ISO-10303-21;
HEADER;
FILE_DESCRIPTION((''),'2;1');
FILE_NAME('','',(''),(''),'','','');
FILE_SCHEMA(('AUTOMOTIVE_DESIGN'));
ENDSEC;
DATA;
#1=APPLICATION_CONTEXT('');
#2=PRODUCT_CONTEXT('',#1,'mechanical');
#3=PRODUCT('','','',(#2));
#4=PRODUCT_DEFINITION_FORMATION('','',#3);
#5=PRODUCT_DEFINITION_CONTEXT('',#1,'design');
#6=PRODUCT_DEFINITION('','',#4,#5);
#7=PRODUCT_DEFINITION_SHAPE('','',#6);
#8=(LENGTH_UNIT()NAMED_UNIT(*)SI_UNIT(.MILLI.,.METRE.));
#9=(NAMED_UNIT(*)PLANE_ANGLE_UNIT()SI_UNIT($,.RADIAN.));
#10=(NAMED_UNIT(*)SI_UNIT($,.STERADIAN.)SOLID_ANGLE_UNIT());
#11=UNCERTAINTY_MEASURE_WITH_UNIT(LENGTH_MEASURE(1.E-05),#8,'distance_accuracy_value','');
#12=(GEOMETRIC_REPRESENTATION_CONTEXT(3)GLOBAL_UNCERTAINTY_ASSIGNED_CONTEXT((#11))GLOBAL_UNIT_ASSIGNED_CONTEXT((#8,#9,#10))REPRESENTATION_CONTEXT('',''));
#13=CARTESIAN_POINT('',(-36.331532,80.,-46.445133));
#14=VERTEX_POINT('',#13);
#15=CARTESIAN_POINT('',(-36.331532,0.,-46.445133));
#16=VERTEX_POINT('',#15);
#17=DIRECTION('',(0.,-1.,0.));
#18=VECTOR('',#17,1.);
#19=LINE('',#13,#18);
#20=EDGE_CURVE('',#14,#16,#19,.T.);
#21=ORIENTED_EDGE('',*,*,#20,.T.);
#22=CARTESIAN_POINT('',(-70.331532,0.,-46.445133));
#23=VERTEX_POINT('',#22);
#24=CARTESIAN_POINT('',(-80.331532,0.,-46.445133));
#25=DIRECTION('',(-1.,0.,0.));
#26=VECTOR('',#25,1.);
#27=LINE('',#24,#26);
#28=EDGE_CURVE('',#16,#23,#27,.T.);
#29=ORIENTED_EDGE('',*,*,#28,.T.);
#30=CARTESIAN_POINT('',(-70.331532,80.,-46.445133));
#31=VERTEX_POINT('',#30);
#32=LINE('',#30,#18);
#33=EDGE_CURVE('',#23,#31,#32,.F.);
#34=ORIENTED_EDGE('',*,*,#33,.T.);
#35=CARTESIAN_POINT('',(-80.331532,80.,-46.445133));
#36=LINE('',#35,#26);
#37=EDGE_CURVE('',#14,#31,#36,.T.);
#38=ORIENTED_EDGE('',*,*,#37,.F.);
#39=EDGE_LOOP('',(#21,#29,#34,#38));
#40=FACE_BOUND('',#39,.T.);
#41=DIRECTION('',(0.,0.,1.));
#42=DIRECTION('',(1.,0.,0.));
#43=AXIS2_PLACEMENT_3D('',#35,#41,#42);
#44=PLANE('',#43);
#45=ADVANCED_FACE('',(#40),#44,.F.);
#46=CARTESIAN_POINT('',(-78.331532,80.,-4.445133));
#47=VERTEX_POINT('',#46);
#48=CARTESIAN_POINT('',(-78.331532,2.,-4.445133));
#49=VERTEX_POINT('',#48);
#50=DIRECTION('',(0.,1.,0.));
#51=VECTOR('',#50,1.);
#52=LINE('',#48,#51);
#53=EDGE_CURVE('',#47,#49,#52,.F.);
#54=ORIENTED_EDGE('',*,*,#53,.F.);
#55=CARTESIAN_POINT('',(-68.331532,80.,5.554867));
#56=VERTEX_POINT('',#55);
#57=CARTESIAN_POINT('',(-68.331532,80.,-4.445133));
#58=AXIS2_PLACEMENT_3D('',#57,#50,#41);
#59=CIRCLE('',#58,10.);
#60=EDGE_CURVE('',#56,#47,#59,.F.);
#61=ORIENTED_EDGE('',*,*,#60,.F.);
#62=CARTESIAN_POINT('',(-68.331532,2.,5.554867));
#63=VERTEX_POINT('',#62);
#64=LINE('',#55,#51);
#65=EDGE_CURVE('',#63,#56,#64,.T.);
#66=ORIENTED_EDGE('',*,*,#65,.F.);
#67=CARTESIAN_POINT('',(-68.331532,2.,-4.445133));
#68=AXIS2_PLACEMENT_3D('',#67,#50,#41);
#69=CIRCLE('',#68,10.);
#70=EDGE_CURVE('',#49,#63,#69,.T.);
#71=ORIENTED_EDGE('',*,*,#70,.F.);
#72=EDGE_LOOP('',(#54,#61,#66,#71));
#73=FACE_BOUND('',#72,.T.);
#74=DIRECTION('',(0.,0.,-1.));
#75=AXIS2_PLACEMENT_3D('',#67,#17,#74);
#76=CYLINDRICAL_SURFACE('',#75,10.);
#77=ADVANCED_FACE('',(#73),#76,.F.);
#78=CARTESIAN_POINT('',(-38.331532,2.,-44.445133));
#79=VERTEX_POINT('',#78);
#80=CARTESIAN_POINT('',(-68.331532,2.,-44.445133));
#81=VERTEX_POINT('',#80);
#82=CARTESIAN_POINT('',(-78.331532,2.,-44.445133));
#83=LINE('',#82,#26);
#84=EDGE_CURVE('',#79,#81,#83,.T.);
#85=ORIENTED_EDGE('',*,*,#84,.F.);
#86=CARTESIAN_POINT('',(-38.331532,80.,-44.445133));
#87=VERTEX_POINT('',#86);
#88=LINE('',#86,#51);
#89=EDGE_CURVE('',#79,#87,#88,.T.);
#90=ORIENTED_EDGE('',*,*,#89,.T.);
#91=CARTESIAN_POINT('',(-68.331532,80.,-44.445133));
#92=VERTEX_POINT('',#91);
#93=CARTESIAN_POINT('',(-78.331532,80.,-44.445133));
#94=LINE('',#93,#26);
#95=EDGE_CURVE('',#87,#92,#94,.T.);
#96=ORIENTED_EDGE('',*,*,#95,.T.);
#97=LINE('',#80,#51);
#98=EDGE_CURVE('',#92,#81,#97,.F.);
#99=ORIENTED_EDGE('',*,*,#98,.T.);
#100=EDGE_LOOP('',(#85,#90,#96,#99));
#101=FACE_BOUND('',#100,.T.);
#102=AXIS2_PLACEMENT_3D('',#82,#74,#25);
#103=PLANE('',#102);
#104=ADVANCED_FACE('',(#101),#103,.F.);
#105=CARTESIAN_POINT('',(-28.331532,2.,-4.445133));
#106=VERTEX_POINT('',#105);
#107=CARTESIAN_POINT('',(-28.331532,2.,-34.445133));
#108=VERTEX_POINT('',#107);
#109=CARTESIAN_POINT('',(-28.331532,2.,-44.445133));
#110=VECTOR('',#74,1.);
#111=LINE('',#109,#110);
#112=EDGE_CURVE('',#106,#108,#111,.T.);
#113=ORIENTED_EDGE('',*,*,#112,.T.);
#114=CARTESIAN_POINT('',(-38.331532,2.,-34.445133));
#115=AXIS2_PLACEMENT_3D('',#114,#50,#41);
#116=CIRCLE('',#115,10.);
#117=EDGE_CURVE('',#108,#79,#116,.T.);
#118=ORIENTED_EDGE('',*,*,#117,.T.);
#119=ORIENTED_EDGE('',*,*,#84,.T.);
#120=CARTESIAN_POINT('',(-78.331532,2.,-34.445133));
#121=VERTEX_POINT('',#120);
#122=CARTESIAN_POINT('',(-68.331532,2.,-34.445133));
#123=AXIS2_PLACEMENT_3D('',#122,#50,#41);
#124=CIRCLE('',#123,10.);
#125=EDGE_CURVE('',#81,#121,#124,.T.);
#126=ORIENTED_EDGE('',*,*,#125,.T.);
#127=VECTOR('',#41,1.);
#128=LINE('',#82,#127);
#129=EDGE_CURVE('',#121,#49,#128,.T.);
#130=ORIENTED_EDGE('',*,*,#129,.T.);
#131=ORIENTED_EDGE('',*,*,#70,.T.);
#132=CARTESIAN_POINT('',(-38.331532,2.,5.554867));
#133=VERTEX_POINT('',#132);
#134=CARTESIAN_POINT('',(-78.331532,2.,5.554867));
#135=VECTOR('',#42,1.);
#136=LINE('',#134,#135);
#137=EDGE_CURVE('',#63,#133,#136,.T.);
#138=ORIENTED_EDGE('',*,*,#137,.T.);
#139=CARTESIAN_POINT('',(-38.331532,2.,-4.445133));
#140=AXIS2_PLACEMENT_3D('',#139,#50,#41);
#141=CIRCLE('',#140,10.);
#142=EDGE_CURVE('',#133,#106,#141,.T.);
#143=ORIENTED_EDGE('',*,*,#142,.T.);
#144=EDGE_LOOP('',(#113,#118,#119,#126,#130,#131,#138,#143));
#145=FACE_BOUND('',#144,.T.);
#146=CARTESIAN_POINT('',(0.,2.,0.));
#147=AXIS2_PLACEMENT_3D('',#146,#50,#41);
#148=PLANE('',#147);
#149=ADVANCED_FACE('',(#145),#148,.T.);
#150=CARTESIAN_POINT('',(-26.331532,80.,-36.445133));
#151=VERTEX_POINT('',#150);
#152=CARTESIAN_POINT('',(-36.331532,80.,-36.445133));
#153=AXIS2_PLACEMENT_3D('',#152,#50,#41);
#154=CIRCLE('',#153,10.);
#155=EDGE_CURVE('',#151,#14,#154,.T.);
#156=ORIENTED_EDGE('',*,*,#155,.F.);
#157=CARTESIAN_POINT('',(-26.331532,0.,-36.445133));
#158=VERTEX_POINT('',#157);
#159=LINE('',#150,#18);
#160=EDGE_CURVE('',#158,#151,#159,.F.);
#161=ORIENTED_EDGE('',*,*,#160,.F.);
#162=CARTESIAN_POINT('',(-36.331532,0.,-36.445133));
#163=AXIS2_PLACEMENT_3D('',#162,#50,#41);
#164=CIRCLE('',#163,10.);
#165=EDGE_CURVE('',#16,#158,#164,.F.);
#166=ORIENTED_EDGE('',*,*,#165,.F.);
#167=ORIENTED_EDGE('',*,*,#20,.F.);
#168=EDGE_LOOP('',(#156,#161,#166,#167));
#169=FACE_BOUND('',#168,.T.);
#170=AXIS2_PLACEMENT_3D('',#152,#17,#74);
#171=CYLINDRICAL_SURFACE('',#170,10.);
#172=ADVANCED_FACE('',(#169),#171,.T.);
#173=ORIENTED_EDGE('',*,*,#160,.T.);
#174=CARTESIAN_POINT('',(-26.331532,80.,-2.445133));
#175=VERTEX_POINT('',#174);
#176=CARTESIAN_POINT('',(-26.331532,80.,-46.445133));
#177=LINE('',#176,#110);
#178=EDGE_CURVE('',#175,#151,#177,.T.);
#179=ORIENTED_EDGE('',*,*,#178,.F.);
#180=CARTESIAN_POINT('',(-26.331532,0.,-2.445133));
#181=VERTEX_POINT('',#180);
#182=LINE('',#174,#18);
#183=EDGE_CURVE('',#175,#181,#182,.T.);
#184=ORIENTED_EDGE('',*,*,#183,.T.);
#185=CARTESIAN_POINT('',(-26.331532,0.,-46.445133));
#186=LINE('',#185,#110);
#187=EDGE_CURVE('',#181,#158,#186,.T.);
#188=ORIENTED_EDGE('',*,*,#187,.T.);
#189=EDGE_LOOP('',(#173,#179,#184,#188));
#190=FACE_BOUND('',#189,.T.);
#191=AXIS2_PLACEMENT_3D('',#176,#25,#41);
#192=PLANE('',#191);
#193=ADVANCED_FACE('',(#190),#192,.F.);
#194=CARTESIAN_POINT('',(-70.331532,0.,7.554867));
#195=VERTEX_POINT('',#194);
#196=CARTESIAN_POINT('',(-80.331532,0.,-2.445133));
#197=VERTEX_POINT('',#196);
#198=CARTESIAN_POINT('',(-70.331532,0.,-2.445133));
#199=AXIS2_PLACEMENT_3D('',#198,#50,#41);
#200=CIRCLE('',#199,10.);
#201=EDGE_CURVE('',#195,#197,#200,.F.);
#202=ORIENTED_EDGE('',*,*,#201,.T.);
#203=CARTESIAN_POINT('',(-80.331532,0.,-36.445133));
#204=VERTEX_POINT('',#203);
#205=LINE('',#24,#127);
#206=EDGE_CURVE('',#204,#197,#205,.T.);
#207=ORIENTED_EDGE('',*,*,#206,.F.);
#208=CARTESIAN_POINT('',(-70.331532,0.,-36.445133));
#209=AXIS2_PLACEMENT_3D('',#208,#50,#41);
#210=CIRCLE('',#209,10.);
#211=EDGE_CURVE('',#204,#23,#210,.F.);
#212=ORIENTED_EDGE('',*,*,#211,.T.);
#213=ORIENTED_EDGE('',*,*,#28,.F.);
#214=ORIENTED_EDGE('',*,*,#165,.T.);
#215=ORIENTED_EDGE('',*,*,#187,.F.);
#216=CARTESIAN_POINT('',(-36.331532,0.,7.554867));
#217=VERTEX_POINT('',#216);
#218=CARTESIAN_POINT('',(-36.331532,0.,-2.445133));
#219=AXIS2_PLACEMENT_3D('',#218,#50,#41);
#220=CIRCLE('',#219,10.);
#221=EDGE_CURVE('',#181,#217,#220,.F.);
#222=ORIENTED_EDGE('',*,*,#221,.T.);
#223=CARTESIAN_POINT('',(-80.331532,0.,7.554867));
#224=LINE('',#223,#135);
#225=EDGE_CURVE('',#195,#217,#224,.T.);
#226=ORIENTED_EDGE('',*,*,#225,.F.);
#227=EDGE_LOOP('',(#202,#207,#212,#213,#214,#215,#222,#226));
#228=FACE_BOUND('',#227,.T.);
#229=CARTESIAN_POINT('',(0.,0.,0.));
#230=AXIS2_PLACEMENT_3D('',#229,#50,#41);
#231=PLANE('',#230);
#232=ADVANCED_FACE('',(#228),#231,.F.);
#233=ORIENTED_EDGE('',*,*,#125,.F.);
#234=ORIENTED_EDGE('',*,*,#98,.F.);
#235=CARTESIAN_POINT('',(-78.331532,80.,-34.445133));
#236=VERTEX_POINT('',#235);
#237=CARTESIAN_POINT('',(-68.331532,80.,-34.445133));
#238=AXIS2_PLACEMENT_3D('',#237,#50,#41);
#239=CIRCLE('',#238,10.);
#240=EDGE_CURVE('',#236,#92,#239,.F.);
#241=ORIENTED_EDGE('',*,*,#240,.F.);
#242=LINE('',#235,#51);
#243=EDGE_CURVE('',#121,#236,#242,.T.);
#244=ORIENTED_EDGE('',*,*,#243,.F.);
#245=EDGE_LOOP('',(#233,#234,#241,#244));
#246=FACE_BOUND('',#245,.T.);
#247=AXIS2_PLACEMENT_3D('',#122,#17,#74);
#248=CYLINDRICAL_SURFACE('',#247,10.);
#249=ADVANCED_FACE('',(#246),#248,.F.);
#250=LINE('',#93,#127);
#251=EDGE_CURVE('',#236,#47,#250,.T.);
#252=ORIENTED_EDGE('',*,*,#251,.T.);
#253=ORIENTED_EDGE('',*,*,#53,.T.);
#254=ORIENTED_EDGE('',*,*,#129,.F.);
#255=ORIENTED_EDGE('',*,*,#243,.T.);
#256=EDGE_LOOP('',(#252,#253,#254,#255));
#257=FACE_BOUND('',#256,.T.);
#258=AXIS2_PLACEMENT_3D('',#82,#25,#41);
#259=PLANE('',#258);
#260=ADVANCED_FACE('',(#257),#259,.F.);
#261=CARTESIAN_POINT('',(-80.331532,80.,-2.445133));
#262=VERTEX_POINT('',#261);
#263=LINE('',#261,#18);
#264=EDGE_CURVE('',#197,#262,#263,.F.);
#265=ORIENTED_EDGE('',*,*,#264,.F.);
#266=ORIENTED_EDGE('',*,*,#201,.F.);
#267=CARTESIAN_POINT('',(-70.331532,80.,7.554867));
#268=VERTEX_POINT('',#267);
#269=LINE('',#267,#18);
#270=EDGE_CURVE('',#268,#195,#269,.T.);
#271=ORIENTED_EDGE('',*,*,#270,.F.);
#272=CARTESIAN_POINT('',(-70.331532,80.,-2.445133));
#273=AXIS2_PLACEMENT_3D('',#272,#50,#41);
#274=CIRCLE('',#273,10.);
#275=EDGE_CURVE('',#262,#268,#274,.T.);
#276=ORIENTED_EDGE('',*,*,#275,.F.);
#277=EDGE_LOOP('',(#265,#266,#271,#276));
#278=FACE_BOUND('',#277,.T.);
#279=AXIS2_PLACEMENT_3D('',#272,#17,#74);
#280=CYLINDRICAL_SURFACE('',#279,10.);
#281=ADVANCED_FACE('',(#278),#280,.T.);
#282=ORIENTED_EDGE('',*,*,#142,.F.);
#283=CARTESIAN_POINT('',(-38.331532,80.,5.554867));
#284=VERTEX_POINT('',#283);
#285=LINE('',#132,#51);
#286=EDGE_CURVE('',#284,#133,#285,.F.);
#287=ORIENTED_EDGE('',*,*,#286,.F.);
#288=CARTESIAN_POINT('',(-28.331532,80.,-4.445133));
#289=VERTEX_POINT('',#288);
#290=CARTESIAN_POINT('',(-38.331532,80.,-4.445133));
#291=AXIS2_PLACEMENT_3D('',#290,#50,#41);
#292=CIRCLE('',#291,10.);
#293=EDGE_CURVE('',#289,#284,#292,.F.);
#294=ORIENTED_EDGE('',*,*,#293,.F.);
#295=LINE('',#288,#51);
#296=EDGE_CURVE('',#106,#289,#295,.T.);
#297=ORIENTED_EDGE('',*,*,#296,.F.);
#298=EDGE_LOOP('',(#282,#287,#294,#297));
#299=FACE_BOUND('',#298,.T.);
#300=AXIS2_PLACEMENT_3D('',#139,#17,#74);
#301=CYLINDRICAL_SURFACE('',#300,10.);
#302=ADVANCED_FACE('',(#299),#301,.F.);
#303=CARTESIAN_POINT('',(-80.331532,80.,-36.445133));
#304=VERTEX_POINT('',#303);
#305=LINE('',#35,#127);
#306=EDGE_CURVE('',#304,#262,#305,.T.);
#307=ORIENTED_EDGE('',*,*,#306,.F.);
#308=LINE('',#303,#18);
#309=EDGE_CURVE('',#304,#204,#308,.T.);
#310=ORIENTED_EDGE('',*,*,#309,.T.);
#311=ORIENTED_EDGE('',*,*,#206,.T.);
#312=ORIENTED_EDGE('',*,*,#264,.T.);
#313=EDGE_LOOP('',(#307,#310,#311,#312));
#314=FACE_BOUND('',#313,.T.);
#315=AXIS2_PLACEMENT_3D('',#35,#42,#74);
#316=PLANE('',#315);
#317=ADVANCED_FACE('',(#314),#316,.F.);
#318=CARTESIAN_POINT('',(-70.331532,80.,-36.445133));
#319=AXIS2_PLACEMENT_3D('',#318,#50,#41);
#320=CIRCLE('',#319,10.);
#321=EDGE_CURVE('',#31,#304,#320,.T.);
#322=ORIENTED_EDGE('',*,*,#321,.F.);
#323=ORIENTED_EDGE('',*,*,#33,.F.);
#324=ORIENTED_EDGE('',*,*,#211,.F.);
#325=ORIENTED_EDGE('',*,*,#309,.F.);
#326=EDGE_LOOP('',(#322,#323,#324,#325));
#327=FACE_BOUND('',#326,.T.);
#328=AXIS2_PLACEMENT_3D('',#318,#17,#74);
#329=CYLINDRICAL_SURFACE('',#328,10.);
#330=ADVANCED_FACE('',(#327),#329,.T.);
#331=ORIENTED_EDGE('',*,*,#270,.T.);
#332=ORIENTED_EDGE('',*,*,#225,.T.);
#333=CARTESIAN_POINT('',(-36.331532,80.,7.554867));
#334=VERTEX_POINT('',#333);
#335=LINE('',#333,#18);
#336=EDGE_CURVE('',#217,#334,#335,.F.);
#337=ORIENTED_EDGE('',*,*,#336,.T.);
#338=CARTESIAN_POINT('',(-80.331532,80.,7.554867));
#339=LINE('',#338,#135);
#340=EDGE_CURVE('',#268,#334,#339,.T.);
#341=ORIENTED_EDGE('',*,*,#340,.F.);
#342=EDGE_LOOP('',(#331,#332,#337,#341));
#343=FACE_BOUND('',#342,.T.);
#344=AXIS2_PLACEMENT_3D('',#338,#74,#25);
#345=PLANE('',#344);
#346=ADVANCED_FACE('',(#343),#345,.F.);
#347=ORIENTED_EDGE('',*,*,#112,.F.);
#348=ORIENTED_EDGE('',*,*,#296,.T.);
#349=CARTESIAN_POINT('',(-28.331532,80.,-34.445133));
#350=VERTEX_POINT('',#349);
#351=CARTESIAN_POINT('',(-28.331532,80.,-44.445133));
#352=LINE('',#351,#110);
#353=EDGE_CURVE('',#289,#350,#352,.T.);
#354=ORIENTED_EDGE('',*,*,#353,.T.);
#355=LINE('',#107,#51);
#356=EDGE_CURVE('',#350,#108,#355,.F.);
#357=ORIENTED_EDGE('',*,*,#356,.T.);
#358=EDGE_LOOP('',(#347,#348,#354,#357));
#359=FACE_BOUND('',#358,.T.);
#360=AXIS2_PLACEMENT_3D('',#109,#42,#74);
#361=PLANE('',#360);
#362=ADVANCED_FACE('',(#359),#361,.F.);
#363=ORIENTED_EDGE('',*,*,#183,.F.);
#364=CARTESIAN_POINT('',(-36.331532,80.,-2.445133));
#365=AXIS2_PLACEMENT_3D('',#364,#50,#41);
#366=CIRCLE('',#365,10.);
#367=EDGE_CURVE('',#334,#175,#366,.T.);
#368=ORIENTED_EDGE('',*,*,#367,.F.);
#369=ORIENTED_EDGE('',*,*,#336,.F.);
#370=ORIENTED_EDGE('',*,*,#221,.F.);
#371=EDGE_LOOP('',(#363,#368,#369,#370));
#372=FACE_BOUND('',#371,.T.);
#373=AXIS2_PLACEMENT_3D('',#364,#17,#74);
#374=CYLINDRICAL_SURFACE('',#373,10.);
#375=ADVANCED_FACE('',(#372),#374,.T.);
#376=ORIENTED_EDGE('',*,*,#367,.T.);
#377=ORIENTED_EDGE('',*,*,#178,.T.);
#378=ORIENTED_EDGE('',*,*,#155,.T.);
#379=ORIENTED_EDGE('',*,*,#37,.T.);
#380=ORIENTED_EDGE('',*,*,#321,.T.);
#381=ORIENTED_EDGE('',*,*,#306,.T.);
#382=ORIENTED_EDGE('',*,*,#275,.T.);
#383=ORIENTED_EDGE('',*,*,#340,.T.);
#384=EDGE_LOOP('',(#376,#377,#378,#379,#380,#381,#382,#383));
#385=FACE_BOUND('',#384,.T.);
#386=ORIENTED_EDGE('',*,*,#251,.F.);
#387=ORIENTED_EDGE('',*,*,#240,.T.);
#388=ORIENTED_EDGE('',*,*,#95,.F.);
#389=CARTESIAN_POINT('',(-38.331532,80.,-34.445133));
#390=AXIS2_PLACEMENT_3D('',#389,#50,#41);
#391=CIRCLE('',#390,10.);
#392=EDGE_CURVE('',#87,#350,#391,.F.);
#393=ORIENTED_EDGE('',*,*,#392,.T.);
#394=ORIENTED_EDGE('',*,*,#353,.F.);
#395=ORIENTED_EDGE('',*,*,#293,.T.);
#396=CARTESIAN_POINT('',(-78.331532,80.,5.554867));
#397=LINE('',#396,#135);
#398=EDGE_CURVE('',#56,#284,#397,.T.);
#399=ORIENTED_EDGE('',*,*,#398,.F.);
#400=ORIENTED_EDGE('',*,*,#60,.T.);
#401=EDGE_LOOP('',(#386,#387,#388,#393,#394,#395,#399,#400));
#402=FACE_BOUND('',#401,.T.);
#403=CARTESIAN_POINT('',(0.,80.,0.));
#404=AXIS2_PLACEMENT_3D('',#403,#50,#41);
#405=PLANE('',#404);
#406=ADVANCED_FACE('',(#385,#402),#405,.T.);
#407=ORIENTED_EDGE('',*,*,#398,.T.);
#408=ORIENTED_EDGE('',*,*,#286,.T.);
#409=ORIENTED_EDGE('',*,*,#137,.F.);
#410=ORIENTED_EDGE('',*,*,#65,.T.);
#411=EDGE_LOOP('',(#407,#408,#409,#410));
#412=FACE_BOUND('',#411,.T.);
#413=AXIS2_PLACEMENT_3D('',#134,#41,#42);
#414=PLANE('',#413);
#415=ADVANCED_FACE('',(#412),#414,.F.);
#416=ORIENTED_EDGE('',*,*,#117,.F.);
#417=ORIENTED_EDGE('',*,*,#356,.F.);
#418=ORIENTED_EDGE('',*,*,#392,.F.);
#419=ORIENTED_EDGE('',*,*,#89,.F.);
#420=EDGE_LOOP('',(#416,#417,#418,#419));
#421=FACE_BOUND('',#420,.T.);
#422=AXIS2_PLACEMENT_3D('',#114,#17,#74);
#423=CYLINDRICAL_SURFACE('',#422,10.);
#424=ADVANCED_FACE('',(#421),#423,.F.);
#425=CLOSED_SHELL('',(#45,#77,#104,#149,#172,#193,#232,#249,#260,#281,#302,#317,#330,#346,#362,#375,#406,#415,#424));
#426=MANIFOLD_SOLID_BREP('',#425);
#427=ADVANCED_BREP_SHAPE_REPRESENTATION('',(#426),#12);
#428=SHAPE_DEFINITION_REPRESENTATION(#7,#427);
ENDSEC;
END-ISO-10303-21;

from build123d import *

# Parameters (mm, degrees)
SKETCH2_W           = 54
SKETCH2_H           = 54
BOSS_EXTRUDE1_DEPTH = 80
SKETCH3_W           = 50
SKETCH3_H           = 50
CUT_EXTRUDE1_DEPTH  = 78
FILLET2_R           = 10
FILLET3_R           = 10


with BuildPart() as part:
    # Sketch2 → Boss-Extrude1 (new body)
    with BuildSketch(Plane(origin=(0, 0, 0), x_dir=(1, 0, 0), z_dir=(0, 1, 0))):
        with Locations((-53.331532102, 19.445132848)):
            Rectangle(SKETCH2_W, SKETCH2_H)
    extrude(amount=BOSS_EXTRUDE1_DEPTH)

    # Sketch3 → Cut-Extrude1 (cut)
    with BuildSketch(Plane(origin=(0, 80, 0), x_dir=(1, 0, 0), z_dir=(0, 1, 0))):
        with Locations((-53.331532102, 19.445132848)):
            Rectangle(SKETCH3_W, SKETCH3_H)
    extrude(amount=-CUT_EXTRUDE1_DEPTH, mode=Mode.SUBTRACT)

    # Fillet2
    fillet2_edges = [part.edges().sort_by_distance(p)[0] for p in [
        (-78.331532102, 41, 5.554867152),
        (-78.331532102, 41, -44.445132848),
        (-28.331532102, 41, -44.445132848),
        (-28.331532102, 41, 5.554867152),
    ]]
    fillet(fillet2_edges, radius=FILLET2_R)

    # Fillet3
    fillet3_edges = [part.edges().sort_by_distance(p)[0] for p in [
        (-80.331532102, 40, -46.445132848),
        (-26.331532102, 40, -46.445132848),
        (-26.331532102, 40, 7.554867152),
        (-80.331532102, 40, 7.554867152),
    ]]
    fillet(fillet3_edges, radius=FILLET3_R)


solid = part.part
